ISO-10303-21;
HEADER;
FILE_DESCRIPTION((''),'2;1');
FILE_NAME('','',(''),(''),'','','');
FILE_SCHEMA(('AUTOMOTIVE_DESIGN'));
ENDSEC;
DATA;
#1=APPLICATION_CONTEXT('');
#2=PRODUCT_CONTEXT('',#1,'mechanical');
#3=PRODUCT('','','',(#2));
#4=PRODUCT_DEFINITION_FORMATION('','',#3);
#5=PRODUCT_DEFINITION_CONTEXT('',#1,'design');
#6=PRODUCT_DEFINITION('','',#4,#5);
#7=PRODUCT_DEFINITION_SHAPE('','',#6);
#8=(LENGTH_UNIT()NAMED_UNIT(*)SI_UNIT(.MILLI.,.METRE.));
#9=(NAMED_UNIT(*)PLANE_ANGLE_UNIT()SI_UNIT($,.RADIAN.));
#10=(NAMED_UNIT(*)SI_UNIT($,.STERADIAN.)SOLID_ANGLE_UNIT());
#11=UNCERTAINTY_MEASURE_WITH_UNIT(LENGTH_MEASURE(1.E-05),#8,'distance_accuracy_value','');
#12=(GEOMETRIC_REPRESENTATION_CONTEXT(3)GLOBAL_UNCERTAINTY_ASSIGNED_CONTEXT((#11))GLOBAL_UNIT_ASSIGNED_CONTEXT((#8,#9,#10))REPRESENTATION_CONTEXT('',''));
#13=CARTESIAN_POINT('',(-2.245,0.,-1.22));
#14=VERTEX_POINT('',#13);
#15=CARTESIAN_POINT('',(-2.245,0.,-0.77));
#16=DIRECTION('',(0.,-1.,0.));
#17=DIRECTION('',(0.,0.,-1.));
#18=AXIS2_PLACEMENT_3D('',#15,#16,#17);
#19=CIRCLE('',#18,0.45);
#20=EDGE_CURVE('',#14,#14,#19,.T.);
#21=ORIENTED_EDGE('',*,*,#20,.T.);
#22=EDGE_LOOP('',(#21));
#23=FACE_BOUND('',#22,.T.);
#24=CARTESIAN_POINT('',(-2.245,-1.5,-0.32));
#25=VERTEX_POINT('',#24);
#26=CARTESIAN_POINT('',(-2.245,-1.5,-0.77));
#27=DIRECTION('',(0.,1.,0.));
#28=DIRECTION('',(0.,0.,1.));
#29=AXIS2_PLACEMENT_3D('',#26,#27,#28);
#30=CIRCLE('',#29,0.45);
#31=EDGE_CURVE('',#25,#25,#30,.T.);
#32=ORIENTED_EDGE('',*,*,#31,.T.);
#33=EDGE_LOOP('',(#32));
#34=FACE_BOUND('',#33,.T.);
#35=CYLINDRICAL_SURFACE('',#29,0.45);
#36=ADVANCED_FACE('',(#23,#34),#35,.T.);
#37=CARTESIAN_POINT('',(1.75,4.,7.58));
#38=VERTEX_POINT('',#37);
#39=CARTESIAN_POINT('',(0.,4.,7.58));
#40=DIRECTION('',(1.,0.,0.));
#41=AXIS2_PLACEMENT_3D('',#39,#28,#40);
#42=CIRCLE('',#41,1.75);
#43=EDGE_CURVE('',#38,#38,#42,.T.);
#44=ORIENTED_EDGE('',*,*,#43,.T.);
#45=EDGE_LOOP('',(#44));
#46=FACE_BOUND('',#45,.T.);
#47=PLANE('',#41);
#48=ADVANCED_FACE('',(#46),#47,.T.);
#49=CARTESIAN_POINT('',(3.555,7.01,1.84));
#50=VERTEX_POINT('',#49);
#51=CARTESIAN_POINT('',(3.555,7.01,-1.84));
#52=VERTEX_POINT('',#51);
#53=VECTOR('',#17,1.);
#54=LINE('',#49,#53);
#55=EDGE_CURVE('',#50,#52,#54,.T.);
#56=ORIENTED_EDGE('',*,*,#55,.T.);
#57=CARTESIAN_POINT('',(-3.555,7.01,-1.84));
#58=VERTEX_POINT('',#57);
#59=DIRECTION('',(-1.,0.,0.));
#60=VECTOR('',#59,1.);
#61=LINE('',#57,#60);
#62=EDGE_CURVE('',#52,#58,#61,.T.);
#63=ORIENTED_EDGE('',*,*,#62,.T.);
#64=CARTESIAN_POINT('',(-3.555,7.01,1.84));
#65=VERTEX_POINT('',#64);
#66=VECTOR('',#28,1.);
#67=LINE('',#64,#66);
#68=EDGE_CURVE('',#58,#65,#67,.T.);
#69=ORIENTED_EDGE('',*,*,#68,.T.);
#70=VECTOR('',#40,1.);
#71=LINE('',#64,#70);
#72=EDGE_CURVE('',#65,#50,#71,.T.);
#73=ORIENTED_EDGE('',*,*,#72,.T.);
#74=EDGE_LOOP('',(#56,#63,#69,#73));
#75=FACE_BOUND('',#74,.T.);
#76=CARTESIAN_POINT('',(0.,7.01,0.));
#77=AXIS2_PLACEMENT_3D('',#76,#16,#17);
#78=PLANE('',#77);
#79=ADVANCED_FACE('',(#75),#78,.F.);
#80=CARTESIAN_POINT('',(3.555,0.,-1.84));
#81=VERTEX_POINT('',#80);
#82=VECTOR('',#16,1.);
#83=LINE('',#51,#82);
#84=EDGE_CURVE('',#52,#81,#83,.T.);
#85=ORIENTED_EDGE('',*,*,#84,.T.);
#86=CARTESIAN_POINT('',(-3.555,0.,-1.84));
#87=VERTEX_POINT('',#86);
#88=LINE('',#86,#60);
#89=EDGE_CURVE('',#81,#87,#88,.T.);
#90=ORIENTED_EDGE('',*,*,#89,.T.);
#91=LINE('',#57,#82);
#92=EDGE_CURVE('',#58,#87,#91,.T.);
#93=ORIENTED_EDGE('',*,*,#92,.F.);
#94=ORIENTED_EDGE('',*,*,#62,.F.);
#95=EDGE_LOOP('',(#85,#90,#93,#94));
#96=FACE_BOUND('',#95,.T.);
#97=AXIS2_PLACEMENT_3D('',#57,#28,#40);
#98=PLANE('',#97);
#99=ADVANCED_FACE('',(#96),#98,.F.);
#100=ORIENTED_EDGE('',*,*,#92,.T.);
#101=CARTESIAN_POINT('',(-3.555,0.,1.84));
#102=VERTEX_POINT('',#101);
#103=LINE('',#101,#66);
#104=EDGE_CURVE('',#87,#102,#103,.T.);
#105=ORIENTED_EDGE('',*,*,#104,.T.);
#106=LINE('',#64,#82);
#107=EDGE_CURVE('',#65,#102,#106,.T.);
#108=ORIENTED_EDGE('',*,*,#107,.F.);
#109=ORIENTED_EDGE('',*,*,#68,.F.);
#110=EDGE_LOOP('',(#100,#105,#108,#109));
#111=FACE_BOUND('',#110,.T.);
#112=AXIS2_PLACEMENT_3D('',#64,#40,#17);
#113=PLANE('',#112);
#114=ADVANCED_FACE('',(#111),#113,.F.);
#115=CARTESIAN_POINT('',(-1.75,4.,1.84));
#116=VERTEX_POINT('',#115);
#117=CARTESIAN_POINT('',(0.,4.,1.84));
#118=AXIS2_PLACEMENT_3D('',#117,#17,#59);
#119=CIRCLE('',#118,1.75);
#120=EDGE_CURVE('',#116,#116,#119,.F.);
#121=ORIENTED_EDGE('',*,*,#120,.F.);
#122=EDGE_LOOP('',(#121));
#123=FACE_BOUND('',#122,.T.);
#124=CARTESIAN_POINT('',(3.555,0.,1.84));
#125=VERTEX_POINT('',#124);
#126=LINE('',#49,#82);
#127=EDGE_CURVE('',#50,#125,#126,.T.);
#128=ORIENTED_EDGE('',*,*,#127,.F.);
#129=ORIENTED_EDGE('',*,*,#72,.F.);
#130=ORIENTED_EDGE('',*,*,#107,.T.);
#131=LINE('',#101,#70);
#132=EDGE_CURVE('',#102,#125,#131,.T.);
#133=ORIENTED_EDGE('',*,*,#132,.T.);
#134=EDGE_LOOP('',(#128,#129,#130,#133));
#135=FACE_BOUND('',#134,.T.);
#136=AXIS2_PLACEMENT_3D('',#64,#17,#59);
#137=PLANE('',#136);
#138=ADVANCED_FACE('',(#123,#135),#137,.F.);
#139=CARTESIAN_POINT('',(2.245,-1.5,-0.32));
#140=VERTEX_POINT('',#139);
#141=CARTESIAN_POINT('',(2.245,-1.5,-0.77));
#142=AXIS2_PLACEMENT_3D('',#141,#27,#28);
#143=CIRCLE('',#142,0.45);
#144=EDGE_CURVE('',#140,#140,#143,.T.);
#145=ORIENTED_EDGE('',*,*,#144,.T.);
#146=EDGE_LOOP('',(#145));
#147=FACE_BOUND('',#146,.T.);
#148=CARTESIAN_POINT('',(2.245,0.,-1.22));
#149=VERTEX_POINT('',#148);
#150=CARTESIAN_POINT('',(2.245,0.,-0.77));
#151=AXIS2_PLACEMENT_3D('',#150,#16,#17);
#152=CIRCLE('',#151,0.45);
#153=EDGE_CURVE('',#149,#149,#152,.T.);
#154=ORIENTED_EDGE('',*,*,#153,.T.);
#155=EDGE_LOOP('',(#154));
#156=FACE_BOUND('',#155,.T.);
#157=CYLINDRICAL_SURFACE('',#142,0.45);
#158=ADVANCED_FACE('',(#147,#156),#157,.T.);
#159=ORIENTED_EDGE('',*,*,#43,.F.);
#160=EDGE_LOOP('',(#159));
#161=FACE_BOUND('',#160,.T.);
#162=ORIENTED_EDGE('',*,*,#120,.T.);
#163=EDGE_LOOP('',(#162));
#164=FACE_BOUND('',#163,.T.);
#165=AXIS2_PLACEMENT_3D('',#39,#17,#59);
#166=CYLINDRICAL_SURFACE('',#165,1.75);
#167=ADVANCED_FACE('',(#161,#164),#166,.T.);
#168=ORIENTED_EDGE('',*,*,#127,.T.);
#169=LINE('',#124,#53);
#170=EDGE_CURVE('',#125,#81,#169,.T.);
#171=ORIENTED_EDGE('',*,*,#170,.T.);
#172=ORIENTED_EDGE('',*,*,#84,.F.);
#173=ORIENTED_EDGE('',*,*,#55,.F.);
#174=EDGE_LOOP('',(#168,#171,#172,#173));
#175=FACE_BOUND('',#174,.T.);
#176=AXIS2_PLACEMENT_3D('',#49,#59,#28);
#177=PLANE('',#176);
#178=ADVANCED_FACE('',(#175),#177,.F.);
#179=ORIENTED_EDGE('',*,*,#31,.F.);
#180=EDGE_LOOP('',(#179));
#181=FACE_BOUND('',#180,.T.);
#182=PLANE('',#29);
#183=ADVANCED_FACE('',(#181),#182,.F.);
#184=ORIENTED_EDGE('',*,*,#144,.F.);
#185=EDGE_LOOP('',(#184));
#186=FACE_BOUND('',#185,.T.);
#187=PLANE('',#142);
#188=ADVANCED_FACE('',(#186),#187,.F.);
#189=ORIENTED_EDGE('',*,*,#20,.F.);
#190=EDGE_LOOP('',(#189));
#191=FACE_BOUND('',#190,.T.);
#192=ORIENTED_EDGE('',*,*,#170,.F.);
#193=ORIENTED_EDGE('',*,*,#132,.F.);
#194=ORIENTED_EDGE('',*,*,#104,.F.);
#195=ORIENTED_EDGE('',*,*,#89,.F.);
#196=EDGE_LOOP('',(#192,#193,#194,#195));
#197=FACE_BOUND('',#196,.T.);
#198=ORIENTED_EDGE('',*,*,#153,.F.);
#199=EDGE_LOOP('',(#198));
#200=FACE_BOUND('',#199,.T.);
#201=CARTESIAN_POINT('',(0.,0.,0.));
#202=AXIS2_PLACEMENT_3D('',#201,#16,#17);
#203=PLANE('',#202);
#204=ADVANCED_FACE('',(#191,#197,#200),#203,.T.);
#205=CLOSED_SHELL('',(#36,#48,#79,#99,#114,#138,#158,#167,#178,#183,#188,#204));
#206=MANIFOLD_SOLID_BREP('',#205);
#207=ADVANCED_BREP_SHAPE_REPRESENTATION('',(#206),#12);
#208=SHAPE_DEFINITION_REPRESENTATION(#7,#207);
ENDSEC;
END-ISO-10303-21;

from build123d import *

# Parameters (mm, degrees)
SKETCH1_W           = 7.11
SKETCH1_H           = 3.68
BOSS_EXTRUDE1_DEPTH = 7.01
SKETCH2_R           = 1.75
BOSS_EXTRUDE2_DEPTH = 5.74
SKETCH3_R           = 0.45
BOSS_EXTRUDE3_DEPTH = 1.5


with BuildPart() as part:
    # Sketch1 → Boss-Extrude1 (new body)
    with BuildSketch(Plane(origin=(0, 0, 0), x_dir=(1, 0, 0), z_dir=(0, 1, 0))):
        Rectangle(SKETCH1_W, SKETCH1_H)
    extrude(amount=BOSS_EXTRUDE1_DEPTH)

    # Sketch2 → Boss-Extrude2 (add)
    with BuildSketch(Plane.XY.offset(1.84)):
        with Locations(Location((0, 4, 0), (0, 0, 180))):
            Circle(SKETCH2_R)
    extrude(amount=BOSS_EXTRUDE2_DEPTH)

    # Sketch3 → Boss-Extrude3 (add)
    with BuildSketch(Plane(origin=(0, 0, 0), x_dir=(1, 0, 0), z_dir=(0, 1, 0))):
        with Locations(Location((-2.245, 0.77, 0), (0, 0, 270))):
            Circle(SKETCH3_R)
        with Locations(Location((2.245, 0.77, 0), (0, 0, 270))):
            Circle(SKETCH3_R)
    extrude(amount=-BOSS_EXTRUDE3_DEPTH)


solid = part.part
